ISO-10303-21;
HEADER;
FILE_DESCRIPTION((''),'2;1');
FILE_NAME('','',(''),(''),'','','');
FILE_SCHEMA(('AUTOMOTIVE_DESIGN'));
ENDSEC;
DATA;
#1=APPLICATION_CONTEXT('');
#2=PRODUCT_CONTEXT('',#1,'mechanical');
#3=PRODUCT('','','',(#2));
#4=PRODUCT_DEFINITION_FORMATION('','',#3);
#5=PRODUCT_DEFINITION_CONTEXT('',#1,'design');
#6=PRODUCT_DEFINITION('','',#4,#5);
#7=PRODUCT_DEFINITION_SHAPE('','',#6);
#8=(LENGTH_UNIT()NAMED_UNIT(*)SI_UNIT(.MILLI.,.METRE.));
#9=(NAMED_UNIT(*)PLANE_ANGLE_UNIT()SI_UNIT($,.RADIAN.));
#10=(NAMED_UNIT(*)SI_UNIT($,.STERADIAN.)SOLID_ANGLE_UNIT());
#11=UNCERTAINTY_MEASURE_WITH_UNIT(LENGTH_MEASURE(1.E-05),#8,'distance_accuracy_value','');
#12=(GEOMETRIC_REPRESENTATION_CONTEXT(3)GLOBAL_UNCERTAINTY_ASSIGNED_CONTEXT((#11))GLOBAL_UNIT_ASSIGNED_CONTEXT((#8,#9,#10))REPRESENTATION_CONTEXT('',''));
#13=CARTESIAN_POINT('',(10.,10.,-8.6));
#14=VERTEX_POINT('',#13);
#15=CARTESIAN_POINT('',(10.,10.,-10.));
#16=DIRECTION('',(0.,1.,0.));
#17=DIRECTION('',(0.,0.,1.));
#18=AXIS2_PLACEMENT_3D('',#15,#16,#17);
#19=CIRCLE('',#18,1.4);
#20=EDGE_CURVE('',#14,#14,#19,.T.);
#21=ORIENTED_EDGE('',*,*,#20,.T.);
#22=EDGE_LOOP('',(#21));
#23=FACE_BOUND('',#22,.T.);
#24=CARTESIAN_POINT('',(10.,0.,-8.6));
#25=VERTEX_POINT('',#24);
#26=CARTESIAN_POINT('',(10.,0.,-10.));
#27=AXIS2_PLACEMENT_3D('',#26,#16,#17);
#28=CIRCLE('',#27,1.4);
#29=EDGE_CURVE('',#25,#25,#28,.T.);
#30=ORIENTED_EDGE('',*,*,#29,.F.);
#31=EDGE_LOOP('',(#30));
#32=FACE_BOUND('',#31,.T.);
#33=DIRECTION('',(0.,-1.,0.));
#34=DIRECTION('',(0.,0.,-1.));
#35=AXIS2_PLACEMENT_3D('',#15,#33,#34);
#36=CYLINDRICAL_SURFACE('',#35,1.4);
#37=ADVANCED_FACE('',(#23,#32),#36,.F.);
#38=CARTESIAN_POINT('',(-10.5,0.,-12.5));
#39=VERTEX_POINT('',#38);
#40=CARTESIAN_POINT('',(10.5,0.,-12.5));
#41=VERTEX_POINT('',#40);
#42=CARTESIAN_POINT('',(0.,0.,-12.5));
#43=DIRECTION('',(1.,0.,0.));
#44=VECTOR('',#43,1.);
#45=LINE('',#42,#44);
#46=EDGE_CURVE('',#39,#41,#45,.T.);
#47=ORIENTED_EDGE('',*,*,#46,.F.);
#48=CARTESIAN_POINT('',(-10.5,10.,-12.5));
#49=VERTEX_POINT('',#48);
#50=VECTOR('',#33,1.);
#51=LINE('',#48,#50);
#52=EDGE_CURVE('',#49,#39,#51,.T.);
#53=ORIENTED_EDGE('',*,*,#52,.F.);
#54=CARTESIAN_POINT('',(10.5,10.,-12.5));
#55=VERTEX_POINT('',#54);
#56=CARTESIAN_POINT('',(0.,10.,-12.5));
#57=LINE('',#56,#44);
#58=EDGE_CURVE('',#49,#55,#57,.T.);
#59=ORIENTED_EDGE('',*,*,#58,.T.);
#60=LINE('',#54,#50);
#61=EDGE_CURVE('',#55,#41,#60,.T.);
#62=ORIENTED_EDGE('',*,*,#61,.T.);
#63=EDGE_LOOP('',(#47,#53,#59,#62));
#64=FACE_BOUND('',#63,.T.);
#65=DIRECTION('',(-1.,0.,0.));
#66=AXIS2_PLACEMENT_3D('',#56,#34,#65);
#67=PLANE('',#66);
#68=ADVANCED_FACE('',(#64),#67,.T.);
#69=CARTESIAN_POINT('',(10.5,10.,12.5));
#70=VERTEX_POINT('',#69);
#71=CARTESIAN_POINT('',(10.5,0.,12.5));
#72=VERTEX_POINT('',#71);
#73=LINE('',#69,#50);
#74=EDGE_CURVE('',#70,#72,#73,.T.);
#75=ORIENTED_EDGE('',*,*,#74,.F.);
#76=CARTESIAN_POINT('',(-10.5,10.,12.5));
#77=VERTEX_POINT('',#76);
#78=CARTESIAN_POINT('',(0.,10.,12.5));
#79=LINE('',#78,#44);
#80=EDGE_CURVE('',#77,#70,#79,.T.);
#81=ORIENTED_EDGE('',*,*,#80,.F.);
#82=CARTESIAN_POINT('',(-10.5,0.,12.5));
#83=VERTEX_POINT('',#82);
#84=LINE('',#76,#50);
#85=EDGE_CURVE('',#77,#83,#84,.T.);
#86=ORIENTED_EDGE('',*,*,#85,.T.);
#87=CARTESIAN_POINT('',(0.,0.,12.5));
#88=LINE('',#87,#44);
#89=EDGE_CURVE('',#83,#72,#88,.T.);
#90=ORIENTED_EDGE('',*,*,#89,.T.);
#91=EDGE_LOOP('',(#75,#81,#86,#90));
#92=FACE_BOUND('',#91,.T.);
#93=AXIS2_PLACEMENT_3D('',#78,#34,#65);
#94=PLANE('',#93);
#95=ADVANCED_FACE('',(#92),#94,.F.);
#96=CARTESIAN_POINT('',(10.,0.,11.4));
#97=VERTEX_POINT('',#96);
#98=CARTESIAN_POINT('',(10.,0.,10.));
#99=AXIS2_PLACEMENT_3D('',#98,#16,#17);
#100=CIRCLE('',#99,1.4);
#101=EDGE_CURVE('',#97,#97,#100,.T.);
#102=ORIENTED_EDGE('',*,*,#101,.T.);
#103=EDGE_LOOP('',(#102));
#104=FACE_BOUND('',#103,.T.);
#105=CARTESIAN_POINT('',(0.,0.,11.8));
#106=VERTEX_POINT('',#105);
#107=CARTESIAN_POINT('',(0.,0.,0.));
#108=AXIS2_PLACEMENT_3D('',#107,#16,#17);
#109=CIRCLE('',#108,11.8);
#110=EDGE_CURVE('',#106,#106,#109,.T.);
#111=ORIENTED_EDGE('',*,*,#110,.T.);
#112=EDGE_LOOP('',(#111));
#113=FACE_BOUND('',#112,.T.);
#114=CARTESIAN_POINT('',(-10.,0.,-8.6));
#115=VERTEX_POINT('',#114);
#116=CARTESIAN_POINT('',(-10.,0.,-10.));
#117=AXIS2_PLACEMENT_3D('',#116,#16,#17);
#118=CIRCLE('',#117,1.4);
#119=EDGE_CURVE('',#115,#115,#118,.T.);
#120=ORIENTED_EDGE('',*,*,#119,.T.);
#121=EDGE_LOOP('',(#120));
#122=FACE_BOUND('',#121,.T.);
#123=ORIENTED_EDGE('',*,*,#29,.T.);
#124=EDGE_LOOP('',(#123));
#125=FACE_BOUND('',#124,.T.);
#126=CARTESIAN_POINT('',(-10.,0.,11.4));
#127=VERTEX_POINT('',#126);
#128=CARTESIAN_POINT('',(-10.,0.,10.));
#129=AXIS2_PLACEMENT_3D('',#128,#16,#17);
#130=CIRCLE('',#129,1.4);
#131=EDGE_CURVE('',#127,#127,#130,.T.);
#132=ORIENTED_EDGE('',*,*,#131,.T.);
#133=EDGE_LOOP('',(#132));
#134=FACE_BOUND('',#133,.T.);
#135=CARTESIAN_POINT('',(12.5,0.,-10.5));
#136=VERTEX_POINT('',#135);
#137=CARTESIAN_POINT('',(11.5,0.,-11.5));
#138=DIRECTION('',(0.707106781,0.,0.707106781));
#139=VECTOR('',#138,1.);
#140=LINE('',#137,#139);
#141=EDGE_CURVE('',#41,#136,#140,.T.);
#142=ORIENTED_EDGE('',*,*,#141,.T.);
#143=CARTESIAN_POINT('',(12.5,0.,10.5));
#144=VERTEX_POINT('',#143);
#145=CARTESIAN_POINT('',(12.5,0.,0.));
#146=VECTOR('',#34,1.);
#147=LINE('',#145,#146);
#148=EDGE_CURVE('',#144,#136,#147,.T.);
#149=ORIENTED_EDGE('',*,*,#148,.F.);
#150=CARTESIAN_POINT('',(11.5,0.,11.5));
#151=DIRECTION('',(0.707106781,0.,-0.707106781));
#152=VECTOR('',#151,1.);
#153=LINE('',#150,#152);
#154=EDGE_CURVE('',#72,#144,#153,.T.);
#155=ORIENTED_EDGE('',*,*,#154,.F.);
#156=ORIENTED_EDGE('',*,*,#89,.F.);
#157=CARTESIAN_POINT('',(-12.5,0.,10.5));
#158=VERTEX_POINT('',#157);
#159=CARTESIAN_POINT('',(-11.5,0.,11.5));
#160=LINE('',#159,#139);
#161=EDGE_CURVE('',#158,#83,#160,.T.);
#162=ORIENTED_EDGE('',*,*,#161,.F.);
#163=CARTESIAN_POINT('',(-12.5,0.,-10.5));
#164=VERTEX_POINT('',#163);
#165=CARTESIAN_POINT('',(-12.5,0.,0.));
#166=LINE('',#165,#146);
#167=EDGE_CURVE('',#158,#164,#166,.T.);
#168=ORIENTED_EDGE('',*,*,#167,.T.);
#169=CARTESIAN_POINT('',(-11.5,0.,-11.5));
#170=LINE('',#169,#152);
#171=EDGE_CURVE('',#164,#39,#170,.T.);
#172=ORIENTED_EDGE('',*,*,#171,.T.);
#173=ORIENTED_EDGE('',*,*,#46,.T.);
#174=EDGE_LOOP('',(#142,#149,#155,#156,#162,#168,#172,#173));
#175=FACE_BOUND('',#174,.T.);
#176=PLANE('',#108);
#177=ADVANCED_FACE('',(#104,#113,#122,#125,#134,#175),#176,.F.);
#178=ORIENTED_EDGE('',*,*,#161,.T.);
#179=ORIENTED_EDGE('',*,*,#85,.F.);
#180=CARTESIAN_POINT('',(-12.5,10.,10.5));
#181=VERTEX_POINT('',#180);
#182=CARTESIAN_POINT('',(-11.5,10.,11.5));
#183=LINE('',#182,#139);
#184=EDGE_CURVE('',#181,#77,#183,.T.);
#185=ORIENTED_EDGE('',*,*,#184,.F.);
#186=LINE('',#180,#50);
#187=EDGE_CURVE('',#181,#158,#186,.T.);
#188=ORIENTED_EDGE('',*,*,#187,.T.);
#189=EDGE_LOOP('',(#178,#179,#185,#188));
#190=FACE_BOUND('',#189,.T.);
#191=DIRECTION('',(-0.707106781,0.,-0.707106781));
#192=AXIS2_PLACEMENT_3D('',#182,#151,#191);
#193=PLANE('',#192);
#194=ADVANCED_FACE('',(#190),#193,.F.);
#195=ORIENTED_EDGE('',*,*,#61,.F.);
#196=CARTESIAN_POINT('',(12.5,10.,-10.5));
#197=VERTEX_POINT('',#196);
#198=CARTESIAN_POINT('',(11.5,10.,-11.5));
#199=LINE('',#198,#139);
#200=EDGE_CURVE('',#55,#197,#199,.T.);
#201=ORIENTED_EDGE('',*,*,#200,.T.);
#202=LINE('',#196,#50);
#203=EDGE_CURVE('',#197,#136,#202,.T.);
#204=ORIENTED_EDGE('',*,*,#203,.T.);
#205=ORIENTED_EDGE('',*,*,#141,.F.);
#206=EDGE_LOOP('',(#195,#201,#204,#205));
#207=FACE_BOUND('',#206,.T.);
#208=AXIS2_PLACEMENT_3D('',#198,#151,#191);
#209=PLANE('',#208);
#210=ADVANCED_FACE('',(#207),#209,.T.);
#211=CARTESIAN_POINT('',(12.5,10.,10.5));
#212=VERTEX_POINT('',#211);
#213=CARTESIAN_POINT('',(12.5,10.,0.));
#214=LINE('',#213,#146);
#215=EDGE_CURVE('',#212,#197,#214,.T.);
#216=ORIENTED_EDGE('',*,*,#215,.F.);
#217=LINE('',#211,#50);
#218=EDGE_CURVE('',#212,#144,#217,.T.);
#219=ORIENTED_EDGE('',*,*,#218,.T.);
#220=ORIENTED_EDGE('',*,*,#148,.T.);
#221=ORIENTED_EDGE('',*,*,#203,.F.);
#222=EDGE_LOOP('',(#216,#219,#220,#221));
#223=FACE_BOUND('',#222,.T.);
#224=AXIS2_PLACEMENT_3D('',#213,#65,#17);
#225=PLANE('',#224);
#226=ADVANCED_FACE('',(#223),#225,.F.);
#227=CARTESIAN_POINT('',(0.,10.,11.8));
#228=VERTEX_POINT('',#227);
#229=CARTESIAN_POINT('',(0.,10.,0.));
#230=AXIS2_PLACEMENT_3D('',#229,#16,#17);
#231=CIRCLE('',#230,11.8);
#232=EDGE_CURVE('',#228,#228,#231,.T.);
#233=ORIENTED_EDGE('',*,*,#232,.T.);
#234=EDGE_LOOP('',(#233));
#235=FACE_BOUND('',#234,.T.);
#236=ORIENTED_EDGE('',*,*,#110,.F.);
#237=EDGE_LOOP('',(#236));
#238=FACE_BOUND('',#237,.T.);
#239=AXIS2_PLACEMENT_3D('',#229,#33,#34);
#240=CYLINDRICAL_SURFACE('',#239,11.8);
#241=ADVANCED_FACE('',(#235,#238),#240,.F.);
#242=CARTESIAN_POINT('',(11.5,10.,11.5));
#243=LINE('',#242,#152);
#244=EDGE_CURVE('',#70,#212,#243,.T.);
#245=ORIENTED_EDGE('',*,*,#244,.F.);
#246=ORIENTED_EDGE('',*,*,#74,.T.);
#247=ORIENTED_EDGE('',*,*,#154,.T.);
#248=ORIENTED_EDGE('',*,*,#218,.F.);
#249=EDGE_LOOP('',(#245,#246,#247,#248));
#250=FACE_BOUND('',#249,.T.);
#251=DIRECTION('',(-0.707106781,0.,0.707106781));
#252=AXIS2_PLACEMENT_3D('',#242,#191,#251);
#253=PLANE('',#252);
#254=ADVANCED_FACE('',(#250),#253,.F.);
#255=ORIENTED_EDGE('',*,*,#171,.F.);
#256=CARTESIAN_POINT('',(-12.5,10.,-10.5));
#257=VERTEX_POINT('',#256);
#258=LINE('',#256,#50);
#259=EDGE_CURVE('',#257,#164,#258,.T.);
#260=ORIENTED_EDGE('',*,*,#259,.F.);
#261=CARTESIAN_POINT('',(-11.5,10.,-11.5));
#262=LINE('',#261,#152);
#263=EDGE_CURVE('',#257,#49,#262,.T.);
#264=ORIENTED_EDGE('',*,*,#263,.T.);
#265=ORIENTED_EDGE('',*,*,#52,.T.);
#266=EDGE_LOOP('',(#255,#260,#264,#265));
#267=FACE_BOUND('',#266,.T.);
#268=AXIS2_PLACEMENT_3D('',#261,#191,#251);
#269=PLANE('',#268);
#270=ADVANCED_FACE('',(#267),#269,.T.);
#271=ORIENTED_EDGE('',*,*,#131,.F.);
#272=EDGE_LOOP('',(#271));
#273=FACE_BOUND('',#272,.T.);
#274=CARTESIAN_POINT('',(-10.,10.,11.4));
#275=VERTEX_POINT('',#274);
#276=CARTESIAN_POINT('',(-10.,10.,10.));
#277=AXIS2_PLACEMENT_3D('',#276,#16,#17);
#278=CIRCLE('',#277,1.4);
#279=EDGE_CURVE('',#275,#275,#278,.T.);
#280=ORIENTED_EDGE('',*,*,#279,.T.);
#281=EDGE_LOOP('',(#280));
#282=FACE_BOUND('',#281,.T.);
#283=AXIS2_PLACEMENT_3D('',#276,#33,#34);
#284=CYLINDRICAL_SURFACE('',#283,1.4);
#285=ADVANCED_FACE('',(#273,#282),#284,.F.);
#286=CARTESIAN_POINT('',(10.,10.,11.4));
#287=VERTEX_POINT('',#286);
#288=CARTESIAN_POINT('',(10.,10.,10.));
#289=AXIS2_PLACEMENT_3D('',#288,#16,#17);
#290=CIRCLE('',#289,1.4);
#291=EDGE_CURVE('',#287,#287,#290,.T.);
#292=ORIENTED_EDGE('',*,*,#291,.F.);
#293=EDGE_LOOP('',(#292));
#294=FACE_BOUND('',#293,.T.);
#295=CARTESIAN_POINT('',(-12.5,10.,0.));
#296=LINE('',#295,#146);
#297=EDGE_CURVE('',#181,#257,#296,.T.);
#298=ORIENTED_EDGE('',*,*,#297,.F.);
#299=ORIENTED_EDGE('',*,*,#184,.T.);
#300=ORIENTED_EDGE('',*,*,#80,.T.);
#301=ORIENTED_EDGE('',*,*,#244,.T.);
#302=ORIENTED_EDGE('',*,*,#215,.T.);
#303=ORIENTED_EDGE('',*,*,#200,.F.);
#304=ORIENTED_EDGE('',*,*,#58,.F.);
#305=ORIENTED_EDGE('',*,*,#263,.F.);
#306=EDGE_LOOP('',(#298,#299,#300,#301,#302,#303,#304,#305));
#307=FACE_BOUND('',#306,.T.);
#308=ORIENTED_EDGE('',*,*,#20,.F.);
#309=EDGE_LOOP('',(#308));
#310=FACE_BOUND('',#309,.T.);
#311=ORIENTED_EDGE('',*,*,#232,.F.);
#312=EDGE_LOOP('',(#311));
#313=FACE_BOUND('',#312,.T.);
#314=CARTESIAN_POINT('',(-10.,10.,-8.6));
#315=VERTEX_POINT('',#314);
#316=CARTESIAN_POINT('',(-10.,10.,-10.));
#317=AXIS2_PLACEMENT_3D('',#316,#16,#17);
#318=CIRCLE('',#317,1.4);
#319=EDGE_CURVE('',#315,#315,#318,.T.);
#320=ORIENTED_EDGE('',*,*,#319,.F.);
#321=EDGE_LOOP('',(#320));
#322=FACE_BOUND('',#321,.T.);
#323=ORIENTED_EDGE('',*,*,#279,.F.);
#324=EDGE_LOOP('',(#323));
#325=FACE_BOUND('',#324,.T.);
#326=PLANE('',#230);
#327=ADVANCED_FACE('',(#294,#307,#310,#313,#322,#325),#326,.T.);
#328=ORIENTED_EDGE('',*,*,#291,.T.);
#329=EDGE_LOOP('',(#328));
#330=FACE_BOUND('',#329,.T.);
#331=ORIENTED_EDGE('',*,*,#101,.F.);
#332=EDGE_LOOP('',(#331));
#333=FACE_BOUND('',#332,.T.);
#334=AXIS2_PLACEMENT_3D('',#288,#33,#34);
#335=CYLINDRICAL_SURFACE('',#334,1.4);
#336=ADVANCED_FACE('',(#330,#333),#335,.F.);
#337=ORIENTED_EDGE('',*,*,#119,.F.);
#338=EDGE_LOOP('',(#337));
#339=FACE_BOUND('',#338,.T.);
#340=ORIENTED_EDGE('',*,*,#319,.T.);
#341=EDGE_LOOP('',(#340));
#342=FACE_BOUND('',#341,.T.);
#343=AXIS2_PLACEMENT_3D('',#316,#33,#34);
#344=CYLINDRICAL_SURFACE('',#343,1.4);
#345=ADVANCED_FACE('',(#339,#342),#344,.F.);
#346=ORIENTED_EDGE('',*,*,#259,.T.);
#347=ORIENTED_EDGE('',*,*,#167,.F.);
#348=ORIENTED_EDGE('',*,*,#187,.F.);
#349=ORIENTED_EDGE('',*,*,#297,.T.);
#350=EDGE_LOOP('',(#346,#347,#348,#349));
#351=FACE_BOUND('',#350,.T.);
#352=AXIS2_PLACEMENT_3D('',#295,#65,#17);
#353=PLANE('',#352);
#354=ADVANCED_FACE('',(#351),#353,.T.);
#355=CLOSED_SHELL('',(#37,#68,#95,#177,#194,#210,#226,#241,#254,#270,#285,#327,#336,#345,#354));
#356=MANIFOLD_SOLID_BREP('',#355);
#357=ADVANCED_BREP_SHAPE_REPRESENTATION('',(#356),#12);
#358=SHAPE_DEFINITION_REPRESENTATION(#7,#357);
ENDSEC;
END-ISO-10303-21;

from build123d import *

# Parameters (mm, degrees)
SKETCH1_R           = 11.8
SKETCH1_R_2         = 1.4
BOSS_EXTRUDE2_DEPTH = 10


with BuildPart() as part:
    # Sketch1 → Boss-Extrude2 (new body)
    with BuildSketch(Plane(origin=(0, 0, 0), x_dir=(1, 0, 0), z_dir=(0, 1, 0))):
        Polygon((-12.5, 10.5), (-10.5, 12.5), (10.5, 12.5), (12.5, 10.5), (12.5, -10.5), (10.5, -12.5), (-10.5, -12.5), (-12.5, -10.5), align=None)
        with Locations(Location((0, 0, 0), (0, 0, 270))):
            Circle(SKETCH1_R, mode=Mode.SUBTRACT)
        with Locations(Location((-10, 10, 0), (0, 0, 270))):
            Circle(SKETCH1_R_2, mode=Mode.SUBTRACT)
        with Locations(Location((10, 10, 0), (0, 0, 270))):
            Circle(SKETCH1_R_2, mode=Mode.SUBTRACT)
        with Locations(Location((10, -10, 0), (0, 0, 270))):
            Circle(SKETCH1_R_2, mode=Mode.SUBTRACT)
        with Locations(Location((-10, -10, 0), (0, 0, 270))):
            Circle(SKETCH1_R_2, mode=Mode.SUBTRACT)
    extrude(amount=BOSS_EXTRUDE2_DEPTH)


solid = part.part
